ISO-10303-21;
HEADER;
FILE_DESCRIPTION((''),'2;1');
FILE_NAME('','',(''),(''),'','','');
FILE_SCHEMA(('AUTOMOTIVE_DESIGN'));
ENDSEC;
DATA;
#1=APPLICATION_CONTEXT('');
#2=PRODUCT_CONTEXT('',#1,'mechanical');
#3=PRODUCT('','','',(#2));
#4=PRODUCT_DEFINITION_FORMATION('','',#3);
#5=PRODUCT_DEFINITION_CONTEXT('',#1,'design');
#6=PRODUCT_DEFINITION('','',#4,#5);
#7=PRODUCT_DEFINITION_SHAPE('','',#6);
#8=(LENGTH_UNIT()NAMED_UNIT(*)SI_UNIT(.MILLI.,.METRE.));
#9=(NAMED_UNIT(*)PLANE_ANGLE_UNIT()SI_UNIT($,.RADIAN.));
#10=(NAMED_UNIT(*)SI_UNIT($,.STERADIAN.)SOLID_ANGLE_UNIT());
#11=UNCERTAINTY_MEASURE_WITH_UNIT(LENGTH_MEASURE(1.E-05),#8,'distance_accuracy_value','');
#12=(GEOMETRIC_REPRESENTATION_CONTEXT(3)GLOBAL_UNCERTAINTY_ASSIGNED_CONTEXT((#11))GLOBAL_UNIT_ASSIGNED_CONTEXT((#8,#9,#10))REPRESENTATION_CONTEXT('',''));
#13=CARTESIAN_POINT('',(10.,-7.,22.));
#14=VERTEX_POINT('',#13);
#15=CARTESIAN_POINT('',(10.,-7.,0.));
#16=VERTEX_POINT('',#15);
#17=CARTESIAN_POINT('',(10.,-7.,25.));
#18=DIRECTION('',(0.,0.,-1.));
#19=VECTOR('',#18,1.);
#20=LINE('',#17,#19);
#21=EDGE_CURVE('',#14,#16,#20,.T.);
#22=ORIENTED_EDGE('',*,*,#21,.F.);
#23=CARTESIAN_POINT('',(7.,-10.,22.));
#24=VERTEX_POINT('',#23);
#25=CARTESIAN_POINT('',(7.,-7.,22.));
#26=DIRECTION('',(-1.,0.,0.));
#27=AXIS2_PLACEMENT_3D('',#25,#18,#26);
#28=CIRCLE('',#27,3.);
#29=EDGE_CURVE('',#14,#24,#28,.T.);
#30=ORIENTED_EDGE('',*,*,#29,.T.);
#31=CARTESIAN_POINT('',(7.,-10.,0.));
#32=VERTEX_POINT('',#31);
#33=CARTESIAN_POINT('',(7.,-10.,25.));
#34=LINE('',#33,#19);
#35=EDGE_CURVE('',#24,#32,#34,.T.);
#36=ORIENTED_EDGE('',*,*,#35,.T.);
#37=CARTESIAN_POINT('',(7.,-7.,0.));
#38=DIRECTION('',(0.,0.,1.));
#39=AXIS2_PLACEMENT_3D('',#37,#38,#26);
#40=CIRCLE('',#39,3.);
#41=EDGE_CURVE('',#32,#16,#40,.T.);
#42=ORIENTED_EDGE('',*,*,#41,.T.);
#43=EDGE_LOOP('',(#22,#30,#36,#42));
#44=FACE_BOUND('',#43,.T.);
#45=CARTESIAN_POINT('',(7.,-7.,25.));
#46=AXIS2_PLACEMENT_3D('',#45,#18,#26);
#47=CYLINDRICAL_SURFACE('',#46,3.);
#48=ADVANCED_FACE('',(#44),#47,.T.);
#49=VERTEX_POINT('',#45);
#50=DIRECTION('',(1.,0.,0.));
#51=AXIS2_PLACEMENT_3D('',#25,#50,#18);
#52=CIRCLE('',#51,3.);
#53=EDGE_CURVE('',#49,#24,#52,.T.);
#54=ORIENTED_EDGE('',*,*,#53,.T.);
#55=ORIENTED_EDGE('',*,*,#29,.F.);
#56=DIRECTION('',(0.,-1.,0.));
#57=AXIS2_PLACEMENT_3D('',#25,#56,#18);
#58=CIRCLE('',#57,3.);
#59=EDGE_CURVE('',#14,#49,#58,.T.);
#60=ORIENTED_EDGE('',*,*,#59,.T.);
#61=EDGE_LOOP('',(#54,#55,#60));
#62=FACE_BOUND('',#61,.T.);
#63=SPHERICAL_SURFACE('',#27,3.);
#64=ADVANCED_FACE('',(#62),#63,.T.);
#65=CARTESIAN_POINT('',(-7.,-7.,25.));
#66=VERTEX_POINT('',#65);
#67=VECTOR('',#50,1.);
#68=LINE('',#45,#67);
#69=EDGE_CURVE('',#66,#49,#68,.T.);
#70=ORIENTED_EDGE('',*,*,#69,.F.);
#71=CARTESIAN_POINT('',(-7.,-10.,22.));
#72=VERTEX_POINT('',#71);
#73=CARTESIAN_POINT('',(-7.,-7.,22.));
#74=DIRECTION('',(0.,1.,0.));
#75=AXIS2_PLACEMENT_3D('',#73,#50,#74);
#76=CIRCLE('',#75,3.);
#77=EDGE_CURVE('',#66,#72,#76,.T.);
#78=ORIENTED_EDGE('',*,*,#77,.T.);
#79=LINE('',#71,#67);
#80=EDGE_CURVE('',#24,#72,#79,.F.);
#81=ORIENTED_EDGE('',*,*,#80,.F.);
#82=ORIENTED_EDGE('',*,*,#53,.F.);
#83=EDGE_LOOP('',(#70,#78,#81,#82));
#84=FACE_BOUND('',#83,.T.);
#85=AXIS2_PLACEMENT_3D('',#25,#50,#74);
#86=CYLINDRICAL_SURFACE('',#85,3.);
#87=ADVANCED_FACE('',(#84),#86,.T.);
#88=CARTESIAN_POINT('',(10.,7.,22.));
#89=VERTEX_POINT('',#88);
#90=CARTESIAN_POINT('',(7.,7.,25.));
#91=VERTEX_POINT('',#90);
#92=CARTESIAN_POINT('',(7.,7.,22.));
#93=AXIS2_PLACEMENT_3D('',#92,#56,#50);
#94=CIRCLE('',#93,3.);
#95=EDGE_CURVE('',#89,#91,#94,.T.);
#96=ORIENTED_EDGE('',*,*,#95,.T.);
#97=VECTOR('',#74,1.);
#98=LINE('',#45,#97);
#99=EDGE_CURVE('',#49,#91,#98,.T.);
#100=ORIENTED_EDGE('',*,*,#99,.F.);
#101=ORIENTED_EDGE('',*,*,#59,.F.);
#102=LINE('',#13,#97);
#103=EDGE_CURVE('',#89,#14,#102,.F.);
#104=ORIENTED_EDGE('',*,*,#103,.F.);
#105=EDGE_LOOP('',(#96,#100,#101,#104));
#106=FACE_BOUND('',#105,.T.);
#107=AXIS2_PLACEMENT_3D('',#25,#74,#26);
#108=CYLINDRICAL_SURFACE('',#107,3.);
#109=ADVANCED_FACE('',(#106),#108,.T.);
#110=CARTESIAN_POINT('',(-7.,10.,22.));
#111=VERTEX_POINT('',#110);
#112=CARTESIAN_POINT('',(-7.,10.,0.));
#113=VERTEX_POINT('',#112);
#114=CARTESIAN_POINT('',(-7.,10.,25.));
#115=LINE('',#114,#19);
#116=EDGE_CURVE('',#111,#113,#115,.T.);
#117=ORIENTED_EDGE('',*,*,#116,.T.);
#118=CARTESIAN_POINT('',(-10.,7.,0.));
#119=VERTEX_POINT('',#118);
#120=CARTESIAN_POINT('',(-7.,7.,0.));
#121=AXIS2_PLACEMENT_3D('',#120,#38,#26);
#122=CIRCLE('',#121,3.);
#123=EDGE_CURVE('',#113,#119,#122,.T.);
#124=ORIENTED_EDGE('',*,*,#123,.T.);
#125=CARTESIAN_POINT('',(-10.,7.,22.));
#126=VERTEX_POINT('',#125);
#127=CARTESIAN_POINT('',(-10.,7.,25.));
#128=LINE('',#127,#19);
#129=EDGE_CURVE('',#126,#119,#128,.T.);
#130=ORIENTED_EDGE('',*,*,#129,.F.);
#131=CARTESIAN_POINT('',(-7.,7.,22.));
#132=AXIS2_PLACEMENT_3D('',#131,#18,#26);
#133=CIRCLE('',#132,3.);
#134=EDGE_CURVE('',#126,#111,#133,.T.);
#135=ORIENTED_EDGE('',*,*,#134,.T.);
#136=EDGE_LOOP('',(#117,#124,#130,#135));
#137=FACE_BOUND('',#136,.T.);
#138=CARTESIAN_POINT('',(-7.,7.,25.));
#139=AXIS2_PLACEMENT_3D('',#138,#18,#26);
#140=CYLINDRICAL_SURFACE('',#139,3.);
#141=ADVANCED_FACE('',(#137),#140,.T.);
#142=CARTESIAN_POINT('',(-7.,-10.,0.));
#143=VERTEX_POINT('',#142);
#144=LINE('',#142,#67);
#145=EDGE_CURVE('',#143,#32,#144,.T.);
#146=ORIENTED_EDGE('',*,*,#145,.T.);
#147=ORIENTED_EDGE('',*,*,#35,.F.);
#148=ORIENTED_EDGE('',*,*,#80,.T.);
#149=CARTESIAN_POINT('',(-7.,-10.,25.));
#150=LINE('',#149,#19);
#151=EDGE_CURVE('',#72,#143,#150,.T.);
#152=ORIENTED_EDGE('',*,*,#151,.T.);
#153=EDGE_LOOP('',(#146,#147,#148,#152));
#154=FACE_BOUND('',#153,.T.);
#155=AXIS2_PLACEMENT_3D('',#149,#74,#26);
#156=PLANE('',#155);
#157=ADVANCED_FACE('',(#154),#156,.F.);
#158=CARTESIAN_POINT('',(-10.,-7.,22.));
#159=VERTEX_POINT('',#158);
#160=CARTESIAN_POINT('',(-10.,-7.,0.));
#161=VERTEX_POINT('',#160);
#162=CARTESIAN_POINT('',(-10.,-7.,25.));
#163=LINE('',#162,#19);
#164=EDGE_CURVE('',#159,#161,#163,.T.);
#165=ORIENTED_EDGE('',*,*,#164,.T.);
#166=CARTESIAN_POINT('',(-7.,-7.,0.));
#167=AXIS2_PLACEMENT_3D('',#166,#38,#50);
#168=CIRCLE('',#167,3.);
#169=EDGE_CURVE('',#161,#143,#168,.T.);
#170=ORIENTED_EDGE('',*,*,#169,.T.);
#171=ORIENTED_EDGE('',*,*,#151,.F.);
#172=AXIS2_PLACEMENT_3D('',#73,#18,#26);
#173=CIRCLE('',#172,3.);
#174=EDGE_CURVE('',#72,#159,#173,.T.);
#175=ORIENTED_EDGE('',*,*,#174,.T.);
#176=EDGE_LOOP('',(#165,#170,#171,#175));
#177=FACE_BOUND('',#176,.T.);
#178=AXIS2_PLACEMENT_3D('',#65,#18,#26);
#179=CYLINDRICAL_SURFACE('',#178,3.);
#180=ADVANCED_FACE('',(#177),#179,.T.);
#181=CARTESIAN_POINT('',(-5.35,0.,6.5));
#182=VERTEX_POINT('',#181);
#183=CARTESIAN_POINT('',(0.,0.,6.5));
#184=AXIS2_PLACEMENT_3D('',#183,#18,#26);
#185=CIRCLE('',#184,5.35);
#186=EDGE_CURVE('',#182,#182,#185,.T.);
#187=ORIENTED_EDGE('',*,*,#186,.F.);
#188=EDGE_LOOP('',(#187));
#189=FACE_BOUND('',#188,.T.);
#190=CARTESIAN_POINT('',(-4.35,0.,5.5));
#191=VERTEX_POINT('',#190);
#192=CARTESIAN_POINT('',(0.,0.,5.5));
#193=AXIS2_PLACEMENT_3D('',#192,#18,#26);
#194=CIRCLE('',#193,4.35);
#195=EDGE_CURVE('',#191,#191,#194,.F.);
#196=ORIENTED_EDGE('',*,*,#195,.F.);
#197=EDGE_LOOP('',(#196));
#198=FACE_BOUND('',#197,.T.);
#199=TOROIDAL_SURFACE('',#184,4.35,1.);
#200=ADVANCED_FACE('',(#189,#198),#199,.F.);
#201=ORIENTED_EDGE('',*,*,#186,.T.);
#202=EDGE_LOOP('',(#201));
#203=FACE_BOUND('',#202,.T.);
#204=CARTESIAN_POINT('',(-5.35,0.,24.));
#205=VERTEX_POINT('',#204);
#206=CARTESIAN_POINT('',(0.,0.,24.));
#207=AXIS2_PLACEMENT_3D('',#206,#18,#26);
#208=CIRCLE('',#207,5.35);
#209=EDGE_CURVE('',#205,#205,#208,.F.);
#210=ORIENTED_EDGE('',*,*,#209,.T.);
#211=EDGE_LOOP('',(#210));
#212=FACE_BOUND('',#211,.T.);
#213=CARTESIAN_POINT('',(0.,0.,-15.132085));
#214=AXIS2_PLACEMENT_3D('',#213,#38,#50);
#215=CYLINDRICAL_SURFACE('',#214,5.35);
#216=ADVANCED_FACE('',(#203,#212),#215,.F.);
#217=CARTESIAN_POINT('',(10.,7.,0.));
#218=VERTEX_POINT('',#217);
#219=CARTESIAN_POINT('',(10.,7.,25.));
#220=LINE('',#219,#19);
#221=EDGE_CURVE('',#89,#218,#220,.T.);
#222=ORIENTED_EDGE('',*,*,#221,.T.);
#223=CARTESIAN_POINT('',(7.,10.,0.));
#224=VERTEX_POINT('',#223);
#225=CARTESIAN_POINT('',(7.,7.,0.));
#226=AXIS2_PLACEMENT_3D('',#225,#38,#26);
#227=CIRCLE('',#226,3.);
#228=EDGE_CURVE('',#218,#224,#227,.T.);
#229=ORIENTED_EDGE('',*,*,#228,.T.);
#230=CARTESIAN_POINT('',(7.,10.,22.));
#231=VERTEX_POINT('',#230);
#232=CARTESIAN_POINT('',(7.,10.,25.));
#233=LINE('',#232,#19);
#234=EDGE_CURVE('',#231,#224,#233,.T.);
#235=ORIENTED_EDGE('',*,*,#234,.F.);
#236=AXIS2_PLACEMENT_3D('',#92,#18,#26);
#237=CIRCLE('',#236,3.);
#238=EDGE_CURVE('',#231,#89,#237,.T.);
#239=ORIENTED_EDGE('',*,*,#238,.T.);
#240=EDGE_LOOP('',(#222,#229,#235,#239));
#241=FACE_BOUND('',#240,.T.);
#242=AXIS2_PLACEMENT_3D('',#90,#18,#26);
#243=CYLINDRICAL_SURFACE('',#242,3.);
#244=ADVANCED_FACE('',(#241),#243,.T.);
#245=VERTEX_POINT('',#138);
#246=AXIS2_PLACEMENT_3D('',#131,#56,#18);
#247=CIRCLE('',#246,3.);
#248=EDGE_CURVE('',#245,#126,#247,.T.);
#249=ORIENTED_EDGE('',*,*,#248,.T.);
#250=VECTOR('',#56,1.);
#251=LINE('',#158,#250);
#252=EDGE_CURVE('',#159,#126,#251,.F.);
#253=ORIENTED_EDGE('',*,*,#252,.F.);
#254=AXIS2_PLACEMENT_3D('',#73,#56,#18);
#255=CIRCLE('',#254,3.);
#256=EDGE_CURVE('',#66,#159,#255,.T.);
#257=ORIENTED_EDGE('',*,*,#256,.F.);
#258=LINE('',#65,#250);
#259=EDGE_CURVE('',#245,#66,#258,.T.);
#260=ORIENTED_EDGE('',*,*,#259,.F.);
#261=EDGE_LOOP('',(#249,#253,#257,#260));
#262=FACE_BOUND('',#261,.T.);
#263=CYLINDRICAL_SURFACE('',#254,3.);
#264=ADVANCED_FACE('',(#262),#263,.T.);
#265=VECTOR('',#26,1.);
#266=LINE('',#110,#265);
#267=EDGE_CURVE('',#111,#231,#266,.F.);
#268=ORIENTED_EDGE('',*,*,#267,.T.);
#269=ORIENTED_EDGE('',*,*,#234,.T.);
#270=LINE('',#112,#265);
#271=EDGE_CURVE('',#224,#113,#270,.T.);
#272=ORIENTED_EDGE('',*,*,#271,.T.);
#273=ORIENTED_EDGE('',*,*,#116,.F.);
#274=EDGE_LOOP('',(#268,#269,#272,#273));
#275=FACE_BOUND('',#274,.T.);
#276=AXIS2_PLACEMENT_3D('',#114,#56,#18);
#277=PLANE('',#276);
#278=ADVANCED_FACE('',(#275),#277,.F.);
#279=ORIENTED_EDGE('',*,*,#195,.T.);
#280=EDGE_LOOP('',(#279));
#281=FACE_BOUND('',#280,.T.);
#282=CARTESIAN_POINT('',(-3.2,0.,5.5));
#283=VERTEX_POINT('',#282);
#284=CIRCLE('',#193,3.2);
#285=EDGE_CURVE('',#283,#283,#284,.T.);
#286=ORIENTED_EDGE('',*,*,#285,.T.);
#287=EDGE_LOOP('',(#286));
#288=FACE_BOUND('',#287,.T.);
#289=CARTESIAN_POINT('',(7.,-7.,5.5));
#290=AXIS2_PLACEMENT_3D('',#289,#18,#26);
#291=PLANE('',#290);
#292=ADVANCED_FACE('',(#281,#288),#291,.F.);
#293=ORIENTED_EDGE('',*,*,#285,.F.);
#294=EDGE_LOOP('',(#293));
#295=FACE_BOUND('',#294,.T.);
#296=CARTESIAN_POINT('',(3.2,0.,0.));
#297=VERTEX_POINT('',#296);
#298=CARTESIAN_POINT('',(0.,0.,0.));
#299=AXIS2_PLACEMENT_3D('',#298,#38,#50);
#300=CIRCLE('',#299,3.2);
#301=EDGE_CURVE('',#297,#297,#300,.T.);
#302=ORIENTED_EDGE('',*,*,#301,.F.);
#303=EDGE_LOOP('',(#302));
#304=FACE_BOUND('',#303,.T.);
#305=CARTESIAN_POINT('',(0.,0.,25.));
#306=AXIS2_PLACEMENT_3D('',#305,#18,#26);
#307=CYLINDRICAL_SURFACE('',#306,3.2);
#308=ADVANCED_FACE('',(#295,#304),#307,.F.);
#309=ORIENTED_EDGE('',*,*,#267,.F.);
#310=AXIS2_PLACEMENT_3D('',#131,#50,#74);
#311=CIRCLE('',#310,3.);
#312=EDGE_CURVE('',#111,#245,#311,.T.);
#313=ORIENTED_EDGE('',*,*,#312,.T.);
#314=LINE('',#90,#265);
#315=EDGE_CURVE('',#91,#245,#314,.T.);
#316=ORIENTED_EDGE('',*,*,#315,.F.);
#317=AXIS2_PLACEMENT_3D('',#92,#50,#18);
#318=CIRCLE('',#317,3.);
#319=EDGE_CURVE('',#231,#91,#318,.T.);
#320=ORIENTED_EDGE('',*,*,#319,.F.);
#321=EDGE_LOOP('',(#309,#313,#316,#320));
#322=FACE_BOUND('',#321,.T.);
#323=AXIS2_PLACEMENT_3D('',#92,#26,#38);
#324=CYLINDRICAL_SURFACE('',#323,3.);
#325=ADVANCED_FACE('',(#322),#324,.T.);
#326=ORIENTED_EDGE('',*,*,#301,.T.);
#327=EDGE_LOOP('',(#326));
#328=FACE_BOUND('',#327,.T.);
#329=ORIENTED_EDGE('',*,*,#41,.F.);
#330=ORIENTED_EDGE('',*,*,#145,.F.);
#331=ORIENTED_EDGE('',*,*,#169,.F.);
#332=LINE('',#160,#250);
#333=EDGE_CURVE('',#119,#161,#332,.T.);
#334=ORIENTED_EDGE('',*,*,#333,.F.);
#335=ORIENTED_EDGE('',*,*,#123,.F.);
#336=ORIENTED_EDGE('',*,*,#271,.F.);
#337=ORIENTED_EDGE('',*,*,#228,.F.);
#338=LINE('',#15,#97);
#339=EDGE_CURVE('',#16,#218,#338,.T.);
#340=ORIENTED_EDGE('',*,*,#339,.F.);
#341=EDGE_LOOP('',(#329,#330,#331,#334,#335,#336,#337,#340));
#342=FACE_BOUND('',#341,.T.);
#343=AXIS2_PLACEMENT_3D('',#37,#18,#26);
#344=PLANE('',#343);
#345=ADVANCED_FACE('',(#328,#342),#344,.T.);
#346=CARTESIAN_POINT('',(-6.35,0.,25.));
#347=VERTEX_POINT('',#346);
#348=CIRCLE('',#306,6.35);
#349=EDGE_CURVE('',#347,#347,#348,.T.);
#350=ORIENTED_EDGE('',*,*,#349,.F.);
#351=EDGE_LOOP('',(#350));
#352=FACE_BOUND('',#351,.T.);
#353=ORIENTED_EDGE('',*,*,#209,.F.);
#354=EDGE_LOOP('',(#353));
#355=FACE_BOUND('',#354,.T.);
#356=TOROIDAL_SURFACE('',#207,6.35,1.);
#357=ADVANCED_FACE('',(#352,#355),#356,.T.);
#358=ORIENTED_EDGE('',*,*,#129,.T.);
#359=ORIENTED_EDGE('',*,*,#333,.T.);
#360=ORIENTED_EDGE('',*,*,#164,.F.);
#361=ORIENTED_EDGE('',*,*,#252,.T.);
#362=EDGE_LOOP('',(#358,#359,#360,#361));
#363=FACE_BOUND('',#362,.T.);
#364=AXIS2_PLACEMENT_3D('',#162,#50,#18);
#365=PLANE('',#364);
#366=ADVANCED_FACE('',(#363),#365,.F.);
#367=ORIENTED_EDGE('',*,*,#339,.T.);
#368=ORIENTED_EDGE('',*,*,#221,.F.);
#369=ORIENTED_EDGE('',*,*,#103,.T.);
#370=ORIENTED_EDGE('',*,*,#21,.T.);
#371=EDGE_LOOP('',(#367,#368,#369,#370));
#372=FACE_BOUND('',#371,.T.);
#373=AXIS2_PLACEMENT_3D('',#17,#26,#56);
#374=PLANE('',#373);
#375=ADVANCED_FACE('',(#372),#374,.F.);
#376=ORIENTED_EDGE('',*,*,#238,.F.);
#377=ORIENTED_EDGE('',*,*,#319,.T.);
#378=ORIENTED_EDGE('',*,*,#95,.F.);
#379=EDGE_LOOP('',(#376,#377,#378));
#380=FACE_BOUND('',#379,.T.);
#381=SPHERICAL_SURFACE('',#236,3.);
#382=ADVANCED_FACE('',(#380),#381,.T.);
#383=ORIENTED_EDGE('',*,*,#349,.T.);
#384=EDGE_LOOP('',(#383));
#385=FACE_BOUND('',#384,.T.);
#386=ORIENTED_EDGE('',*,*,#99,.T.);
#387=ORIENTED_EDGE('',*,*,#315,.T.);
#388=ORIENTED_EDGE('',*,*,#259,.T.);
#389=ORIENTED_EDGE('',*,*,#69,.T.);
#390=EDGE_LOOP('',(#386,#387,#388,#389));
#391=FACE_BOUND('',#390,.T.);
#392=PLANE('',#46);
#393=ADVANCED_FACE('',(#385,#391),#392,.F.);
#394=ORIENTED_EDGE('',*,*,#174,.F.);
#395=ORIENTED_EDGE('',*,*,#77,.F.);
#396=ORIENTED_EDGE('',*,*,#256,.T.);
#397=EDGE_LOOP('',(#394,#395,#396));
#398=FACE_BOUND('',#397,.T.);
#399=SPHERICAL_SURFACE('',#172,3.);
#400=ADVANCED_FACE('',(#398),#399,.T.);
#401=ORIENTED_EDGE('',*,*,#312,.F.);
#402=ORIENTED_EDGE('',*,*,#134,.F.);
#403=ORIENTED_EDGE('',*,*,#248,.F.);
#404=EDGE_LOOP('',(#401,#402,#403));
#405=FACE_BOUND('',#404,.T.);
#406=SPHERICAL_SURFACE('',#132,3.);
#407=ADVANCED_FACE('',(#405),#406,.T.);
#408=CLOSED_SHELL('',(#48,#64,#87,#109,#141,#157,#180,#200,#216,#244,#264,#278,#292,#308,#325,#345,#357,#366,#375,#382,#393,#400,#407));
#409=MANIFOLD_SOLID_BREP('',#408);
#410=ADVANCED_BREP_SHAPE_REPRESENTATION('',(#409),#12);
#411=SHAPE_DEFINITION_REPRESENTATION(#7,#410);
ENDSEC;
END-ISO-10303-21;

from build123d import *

# Parameters (mm, degrees)
SKETCH1_R           = 3.2
BOSS_EXTRUDE1_DEPTH = 25
FILLET1_R           = 3
SKETCH2_R           = 5.35
CUT_EXTRUDE1_DEPTH  = 19.5
FILLET2_R           = 1
FILLET3_R           = 1


with BuildPart() as part:
    # Sketch1 → Boss-Extrude1 (new body)
    with BuildSketch(Plane.XY):
        with BuildLine():
            Line((-7, -10), (7, -10))
            ThreePointArc((7, -10), (9.121320344, -9.121320344), (10, -7))
            Line((10, -7), (10, 7))
            ThreePointArc((10, 7), (9.121320344, 9.121320344), (7, 10))
            Line((7, 10), (-7, 10))
            ThreePointArc((-7, 10), (-9.121320344, 9.121320344), (-10, 7))
            Line((-10, 7), (-10, -7))
            ThreePointArc((-10, -7), (-9.121320344, -9.121320344), (-7, -10))
        make_face()
        Circle(SKETCH1_R, mode=Mode.SUBTRACT)
    extrude(amount=BOSS_EXTRUDE1_DEPTH)

    # Fillet1
    fillet1_edges = [part.edges().sort_by_distance(p)[0] for p in [
        (9.121320344, 9.121320344, 25),
        (0, 10, 25),
        (-9.121320344, 9.121320344, 25),
        (-10, 0, 25),
        (-9.121320344, -9.121320344, 25),
        (0, -10, 25),
        (9.121320344, -9.121320344, 25),
        (10, 0, 25),
    ]]
    fillet(fillet1_edges, radius=FILLET1_R)

    # Sketch2 → Cut-Extrude1 (cut)
    with BuildSketch(Plane.XY.offset(25)):
        Circle(SKETCH2_R)
    extrude(amount=-CUT_EXTRUDE1_DEPTH, mode=Mode.SUBTRACT)

    # Fillet2
    fillet2_edges = [part.edges().sort_by_distance(p)[0] for p in [
        (-5.35, 0, 25),
    ]]
    fillet(fillet2_edges, radius=FILLET2_R)

    # Fillet3
    fillet3_edges = [part.edges().sort_by_distance(p)[0] for p in [
        (-5.35, 0, 5.5),
    ]]
    fillet(fillet3_edges, radius=FILLET3_R)


solid = part.part
